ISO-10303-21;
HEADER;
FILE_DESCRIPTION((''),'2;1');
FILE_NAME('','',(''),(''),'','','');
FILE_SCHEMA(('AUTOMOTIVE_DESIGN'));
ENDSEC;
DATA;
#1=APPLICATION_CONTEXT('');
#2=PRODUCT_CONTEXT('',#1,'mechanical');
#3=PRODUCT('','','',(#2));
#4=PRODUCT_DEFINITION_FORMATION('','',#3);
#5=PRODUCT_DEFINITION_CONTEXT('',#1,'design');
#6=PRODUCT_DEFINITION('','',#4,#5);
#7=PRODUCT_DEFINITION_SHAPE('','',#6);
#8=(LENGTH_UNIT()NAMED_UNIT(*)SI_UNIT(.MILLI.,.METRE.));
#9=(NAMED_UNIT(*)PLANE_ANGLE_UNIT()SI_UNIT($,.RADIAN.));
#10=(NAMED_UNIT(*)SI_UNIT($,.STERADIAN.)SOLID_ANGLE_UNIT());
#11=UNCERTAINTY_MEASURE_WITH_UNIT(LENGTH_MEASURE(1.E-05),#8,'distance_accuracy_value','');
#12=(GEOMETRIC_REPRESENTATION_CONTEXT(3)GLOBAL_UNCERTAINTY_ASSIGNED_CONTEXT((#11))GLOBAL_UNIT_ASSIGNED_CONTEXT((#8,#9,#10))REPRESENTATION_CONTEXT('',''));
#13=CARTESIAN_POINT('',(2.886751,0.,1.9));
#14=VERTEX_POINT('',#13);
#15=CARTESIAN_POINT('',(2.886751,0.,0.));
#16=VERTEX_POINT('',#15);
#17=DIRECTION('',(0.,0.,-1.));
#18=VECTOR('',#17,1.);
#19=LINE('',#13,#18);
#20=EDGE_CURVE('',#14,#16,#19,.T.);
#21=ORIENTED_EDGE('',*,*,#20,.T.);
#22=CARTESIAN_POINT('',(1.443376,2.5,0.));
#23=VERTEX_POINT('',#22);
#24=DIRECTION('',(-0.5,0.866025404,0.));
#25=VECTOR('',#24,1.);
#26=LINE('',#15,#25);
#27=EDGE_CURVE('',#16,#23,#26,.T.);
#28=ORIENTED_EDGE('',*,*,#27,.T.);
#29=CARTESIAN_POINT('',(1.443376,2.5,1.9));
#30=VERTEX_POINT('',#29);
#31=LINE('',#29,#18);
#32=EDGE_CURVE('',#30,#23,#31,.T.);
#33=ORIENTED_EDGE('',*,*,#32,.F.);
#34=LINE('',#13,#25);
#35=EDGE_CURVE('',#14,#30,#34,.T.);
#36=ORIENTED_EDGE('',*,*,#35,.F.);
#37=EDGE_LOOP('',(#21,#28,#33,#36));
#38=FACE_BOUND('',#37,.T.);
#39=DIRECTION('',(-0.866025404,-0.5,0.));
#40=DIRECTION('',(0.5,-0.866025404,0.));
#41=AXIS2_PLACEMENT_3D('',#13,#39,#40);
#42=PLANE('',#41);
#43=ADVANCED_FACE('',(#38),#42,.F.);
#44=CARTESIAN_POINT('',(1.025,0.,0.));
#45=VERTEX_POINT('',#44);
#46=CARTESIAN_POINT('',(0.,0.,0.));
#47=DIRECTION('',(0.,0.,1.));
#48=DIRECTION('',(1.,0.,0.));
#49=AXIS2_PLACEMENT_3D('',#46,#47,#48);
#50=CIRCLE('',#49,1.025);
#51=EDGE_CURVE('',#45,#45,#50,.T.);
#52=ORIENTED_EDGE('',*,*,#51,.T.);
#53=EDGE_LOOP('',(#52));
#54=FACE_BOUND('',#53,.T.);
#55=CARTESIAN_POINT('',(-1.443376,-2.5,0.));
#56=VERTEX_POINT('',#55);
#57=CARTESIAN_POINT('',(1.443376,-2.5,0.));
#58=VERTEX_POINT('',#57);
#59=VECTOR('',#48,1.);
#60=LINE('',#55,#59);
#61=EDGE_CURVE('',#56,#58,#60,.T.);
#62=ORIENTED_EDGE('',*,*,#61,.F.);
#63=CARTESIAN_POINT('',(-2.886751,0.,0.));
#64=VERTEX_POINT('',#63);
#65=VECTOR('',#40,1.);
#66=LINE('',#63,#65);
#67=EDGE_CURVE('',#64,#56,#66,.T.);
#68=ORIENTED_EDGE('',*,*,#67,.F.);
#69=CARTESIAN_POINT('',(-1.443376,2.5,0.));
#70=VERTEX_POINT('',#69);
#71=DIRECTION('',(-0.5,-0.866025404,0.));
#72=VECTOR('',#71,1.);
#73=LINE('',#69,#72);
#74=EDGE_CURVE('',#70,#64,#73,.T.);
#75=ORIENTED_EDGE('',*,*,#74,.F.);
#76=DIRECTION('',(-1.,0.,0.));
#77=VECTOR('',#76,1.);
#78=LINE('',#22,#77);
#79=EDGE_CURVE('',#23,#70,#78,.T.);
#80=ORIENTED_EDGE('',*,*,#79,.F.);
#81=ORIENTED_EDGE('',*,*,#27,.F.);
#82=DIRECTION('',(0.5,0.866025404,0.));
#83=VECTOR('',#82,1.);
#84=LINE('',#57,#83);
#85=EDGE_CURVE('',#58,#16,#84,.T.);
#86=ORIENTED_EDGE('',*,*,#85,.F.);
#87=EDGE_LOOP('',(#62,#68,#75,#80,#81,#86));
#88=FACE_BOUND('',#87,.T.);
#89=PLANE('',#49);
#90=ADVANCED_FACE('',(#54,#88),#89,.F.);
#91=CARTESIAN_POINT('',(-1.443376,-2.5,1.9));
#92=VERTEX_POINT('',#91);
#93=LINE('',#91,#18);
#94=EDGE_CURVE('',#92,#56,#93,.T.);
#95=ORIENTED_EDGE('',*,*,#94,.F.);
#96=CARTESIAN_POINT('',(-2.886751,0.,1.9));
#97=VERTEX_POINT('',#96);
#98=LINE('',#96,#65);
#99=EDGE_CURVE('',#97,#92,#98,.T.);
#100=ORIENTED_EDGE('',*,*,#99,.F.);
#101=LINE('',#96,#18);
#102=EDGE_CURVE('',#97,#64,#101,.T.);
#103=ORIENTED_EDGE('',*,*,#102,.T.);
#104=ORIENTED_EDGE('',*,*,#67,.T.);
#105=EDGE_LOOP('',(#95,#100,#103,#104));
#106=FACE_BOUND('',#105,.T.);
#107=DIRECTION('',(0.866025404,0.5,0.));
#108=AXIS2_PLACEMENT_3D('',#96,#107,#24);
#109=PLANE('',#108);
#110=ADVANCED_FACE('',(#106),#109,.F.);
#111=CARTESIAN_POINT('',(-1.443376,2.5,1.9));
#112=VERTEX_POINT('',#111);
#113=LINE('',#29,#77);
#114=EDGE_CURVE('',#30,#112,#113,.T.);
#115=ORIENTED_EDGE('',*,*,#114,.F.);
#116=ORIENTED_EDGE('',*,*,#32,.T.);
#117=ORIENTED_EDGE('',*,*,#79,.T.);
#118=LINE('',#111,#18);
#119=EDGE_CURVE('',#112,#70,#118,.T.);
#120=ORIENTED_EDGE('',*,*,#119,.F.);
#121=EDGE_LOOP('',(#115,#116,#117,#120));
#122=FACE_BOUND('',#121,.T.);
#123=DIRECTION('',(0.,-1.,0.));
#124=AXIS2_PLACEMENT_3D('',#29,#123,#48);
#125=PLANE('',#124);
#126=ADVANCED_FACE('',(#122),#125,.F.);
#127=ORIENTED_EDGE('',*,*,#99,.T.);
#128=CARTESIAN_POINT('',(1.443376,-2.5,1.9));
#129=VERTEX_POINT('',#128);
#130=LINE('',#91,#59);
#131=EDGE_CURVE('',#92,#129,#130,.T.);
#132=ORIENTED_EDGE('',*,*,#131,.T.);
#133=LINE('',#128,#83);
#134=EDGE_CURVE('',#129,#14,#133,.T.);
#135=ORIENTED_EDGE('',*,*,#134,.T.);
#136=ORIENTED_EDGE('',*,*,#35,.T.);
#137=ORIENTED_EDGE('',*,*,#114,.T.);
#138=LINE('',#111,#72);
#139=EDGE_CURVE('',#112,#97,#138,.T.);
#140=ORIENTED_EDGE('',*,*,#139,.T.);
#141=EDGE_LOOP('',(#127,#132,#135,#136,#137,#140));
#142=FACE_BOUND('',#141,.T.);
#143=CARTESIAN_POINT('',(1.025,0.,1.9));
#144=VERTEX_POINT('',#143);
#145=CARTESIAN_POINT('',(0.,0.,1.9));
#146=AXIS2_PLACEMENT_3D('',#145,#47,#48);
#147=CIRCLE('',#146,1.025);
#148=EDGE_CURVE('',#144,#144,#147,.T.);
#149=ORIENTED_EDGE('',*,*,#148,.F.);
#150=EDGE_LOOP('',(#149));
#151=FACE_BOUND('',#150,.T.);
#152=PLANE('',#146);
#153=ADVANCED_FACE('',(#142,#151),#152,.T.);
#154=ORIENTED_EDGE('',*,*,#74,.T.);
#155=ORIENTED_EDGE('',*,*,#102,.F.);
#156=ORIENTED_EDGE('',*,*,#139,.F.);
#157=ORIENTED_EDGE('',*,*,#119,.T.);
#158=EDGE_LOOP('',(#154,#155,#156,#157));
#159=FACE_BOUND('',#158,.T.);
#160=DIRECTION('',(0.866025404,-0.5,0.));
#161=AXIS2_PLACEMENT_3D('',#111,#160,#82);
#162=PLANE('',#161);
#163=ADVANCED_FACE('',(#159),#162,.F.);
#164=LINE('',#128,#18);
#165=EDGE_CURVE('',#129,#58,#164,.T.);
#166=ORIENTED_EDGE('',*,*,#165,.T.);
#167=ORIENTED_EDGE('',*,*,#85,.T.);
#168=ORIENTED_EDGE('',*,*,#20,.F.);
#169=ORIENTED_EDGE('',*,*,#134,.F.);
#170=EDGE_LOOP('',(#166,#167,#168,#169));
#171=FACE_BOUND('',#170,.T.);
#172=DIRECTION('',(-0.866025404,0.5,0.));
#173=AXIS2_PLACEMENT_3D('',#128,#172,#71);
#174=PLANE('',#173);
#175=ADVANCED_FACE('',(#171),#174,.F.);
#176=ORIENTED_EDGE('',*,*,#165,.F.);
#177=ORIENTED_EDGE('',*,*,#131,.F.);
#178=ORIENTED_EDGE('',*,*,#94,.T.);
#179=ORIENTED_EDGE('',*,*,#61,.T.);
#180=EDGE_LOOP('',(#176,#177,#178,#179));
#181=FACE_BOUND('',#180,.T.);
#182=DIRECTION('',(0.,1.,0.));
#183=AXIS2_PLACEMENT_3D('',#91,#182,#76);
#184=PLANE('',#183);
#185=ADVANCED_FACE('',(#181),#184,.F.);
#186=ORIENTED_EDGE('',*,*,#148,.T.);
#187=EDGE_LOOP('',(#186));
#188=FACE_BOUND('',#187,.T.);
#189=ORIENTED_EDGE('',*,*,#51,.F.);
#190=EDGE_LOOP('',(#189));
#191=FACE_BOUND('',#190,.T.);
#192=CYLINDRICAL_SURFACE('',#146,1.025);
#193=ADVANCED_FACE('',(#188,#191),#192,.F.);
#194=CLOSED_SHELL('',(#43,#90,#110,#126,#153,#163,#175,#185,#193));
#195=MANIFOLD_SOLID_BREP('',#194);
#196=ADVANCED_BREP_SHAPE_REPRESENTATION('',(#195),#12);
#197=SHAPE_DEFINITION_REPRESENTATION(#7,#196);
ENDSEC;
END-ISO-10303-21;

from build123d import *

# Parameters (mm, degrees)
EXTRUDE_1_DEPTH      = 1.9
HOLE_WIZARD_M2_5_1_D = 2.05


with BuildPart() as part:
    # 草图1 → 凸台-拉伸1 (new body)
    with BuildSketch(Plane.XY):
        Polygon((-2.886751346, 0), (-1.443375673, -2.5), (1.443375673, -2.5), (2.886751346, 0), (1.443375673, 2.5), (-1.443375673, 2.5), align=None)
    extrude(amount=EXTRUDE_1_DEPTH)

    # M2.5 螺纹孔1 (through all)
    with Locations(Plane.XY.offset(1.9)):
        with Locations((0, 0)):
            Hole(HOLE_WIZARD_M2_5_1_D / 2)


solid = part.part
